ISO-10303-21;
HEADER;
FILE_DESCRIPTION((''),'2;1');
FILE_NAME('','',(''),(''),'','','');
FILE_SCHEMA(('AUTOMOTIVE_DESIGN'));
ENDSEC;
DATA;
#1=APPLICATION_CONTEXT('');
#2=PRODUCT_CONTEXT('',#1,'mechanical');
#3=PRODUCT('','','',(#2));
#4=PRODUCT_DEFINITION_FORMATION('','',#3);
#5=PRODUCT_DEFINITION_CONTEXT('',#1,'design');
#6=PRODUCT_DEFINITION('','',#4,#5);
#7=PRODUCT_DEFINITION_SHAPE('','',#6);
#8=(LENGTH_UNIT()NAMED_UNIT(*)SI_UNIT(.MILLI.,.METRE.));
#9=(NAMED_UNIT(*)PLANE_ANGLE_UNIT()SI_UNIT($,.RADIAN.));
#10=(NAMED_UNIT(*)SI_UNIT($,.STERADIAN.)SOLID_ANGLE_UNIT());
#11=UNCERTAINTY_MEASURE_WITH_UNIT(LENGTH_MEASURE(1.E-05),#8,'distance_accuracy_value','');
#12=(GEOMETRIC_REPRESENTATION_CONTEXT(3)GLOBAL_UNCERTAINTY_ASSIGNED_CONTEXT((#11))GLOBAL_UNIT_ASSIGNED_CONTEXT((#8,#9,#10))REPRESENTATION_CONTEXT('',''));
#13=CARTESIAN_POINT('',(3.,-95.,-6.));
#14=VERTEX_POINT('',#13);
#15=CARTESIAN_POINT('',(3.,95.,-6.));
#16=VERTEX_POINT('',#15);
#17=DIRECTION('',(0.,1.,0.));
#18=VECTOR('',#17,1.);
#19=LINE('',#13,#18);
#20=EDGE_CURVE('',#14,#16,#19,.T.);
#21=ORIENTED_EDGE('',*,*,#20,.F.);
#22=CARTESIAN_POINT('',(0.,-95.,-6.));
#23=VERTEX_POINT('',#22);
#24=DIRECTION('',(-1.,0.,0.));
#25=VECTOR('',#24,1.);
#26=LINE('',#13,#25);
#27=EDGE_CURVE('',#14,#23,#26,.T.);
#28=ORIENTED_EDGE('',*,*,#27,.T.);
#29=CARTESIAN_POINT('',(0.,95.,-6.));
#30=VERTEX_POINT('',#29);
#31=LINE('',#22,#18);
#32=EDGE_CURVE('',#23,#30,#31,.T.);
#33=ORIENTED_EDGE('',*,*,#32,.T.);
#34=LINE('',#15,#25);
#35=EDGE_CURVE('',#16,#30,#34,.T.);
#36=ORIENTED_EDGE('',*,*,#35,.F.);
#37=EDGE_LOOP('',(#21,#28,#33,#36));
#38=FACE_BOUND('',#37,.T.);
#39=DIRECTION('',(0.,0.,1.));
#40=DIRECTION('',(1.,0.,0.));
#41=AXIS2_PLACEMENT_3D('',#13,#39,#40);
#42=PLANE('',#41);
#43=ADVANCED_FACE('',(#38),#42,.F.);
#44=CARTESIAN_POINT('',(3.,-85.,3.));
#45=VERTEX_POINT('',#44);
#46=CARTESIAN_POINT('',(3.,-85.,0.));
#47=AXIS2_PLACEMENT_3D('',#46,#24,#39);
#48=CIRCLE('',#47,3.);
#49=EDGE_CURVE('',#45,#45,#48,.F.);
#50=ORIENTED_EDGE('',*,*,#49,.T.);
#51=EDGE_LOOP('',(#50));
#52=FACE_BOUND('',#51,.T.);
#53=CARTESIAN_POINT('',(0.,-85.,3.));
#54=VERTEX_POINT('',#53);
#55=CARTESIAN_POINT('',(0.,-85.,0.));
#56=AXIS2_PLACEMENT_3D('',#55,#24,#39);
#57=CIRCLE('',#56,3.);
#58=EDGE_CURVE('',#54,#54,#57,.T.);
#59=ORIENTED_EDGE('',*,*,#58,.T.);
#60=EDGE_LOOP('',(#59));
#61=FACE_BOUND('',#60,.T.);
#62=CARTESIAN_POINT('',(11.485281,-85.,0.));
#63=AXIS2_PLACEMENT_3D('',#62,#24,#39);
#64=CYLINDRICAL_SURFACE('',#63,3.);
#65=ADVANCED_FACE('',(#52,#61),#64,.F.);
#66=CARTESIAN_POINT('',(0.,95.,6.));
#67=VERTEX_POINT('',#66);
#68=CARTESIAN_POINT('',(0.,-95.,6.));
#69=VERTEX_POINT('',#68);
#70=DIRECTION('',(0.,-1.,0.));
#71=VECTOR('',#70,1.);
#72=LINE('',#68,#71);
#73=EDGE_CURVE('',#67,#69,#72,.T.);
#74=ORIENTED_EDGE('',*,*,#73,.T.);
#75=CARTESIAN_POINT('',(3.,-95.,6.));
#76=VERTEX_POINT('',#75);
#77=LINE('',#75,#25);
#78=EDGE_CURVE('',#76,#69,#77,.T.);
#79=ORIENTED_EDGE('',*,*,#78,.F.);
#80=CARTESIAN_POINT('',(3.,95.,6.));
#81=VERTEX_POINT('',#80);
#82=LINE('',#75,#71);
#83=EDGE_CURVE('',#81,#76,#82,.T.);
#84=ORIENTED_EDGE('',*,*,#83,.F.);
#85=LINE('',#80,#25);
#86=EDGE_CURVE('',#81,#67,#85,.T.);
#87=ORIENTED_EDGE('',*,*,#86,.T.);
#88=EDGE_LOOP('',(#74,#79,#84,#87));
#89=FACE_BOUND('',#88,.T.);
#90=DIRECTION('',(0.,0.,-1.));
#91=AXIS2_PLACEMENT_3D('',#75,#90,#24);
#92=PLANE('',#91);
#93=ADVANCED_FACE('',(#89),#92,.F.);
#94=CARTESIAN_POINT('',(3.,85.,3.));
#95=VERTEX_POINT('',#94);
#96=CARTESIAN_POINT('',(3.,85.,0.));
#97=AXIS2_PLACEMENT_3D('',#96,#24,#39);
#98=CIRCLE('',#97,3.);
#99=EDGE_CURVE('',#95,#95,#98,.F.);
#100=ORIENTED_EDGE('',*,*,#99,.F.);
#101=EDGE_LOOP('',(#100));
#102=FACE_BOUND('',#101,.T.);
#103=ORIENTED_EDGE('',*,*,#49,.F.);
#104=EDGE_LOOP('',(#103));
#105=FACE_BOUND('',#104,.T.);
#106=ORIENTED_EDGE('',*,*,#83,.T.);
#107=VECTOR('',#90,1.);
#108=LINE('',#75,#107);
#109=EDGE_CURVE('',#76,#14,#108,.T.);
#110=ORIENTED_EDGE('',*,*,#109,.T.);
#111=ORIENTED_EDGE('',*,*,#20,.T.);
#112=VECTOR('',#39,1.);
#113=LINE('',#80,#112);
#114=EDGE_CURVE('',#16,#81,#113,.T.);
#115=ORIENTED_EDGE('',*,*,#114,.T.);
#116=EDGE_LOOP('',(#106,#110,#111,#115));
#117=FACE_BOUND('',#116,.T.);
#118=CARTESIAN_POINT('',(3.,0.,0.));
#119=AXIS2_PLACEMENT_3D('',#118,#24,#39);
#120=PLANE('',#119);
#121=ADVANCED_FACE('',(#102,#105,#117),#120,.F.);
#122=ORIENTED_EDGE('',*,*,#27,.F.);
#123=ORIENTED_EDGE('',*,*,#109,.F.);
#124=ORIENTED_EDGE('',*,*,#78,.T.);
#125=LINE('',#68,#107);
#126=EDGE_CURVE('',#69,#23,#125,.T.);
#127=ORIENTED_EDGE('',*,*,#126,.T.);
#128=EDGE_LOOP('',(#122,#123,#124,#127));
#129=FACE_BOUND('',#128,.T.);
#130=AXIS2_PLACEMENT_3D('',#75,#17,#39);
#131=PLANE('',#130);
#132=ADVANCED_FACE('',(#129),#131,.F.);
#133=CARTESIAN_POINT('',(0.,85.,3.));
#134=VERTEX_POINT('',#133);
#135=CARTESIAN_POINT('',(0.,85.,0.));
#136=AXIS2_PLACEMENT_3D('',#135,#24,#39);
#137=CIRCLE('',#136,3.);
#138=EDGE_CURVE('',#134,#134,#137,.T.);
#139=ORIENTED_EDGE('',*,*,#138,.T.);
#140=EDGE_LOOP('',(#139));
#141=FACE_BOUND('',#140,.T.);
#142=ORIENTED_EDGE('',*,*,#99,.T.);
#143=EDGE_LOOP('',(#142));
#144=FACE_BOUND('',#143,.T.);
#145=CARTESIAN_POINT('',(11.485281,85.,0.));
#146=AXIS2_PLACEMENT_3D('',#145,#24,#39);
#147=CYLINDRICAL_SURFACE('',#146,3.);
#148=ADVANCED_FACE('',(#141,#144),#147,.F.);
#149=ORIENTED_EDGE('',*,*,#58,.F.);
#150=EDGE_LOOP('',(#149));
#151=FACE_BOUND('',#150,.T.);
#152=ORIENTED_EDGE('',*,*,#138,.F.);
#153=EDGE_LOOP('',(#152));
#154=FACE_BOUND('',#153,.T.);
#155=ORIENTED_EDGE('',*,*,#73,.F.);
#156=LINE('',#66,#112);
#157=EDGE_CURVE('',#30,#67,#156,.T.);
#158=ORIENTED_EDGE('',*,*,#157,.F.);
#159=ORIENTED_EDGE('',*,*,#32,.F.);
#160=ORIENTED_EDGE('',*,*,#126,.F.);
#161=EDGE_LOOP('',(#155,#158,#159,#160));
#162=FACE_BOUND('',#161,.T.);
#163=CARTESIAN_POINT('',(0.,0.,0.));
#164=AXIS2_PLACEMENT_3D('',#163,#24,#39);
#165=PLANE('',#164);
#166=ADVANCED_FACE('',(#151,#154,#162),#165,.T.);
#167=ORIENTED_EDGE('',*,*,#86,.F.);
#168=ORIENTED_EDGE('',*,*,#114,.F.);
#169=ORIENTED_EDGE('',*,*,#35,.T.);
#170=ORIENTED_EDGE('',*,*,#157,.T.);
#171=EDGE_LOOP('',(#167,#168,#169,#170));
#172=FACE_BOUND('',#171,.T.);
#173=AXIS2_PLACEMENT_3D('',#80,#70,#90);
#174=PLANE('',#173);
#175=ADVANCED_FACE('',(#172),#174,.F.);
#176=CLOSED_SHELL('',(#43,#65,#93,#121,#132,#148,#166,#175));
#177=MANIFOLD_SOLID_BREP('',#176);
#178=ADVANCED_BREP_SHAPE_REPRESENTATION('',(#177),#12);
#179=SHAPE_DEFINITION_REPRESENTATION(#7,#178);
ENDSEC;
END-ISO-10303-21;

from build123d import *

# Parameters (mm, degrees)
SKETCH1_W           = 12
SKETCH1_H           = 190
BOSS_EXTRUDE1_DEPTH = 3
SKETCH2_R           = 3
CUT_EXTRUDE1_DEPTH  = 3


with BuildPart() as part:
    # Sketch1 → Boss-Extrude1 (new body)
    with BuildSketch(Plane(origin=(0, 0, 0), x_dir=(0, 0, -1), z_dir=(1, 0, 0))):
        Rectangle(SKETCH1_W, SKETCH1_H)
    extrude(amount=BOSS_EXTRUDE1_DEPTH)

    # Sketch2 → Cut-Extrude1 (cut)
    with BuildSketch(Plane.ZY):
        with Locations((0, 85)):
            Circle(SKETCH2_R)
        with Locations((0, -85)):
            Circle(SKETCH2_R)
    extrude(amount=-CUT_EXTRUDE1_DEPTH, mode=Mode.SUBTRACT)


solid = part.part
